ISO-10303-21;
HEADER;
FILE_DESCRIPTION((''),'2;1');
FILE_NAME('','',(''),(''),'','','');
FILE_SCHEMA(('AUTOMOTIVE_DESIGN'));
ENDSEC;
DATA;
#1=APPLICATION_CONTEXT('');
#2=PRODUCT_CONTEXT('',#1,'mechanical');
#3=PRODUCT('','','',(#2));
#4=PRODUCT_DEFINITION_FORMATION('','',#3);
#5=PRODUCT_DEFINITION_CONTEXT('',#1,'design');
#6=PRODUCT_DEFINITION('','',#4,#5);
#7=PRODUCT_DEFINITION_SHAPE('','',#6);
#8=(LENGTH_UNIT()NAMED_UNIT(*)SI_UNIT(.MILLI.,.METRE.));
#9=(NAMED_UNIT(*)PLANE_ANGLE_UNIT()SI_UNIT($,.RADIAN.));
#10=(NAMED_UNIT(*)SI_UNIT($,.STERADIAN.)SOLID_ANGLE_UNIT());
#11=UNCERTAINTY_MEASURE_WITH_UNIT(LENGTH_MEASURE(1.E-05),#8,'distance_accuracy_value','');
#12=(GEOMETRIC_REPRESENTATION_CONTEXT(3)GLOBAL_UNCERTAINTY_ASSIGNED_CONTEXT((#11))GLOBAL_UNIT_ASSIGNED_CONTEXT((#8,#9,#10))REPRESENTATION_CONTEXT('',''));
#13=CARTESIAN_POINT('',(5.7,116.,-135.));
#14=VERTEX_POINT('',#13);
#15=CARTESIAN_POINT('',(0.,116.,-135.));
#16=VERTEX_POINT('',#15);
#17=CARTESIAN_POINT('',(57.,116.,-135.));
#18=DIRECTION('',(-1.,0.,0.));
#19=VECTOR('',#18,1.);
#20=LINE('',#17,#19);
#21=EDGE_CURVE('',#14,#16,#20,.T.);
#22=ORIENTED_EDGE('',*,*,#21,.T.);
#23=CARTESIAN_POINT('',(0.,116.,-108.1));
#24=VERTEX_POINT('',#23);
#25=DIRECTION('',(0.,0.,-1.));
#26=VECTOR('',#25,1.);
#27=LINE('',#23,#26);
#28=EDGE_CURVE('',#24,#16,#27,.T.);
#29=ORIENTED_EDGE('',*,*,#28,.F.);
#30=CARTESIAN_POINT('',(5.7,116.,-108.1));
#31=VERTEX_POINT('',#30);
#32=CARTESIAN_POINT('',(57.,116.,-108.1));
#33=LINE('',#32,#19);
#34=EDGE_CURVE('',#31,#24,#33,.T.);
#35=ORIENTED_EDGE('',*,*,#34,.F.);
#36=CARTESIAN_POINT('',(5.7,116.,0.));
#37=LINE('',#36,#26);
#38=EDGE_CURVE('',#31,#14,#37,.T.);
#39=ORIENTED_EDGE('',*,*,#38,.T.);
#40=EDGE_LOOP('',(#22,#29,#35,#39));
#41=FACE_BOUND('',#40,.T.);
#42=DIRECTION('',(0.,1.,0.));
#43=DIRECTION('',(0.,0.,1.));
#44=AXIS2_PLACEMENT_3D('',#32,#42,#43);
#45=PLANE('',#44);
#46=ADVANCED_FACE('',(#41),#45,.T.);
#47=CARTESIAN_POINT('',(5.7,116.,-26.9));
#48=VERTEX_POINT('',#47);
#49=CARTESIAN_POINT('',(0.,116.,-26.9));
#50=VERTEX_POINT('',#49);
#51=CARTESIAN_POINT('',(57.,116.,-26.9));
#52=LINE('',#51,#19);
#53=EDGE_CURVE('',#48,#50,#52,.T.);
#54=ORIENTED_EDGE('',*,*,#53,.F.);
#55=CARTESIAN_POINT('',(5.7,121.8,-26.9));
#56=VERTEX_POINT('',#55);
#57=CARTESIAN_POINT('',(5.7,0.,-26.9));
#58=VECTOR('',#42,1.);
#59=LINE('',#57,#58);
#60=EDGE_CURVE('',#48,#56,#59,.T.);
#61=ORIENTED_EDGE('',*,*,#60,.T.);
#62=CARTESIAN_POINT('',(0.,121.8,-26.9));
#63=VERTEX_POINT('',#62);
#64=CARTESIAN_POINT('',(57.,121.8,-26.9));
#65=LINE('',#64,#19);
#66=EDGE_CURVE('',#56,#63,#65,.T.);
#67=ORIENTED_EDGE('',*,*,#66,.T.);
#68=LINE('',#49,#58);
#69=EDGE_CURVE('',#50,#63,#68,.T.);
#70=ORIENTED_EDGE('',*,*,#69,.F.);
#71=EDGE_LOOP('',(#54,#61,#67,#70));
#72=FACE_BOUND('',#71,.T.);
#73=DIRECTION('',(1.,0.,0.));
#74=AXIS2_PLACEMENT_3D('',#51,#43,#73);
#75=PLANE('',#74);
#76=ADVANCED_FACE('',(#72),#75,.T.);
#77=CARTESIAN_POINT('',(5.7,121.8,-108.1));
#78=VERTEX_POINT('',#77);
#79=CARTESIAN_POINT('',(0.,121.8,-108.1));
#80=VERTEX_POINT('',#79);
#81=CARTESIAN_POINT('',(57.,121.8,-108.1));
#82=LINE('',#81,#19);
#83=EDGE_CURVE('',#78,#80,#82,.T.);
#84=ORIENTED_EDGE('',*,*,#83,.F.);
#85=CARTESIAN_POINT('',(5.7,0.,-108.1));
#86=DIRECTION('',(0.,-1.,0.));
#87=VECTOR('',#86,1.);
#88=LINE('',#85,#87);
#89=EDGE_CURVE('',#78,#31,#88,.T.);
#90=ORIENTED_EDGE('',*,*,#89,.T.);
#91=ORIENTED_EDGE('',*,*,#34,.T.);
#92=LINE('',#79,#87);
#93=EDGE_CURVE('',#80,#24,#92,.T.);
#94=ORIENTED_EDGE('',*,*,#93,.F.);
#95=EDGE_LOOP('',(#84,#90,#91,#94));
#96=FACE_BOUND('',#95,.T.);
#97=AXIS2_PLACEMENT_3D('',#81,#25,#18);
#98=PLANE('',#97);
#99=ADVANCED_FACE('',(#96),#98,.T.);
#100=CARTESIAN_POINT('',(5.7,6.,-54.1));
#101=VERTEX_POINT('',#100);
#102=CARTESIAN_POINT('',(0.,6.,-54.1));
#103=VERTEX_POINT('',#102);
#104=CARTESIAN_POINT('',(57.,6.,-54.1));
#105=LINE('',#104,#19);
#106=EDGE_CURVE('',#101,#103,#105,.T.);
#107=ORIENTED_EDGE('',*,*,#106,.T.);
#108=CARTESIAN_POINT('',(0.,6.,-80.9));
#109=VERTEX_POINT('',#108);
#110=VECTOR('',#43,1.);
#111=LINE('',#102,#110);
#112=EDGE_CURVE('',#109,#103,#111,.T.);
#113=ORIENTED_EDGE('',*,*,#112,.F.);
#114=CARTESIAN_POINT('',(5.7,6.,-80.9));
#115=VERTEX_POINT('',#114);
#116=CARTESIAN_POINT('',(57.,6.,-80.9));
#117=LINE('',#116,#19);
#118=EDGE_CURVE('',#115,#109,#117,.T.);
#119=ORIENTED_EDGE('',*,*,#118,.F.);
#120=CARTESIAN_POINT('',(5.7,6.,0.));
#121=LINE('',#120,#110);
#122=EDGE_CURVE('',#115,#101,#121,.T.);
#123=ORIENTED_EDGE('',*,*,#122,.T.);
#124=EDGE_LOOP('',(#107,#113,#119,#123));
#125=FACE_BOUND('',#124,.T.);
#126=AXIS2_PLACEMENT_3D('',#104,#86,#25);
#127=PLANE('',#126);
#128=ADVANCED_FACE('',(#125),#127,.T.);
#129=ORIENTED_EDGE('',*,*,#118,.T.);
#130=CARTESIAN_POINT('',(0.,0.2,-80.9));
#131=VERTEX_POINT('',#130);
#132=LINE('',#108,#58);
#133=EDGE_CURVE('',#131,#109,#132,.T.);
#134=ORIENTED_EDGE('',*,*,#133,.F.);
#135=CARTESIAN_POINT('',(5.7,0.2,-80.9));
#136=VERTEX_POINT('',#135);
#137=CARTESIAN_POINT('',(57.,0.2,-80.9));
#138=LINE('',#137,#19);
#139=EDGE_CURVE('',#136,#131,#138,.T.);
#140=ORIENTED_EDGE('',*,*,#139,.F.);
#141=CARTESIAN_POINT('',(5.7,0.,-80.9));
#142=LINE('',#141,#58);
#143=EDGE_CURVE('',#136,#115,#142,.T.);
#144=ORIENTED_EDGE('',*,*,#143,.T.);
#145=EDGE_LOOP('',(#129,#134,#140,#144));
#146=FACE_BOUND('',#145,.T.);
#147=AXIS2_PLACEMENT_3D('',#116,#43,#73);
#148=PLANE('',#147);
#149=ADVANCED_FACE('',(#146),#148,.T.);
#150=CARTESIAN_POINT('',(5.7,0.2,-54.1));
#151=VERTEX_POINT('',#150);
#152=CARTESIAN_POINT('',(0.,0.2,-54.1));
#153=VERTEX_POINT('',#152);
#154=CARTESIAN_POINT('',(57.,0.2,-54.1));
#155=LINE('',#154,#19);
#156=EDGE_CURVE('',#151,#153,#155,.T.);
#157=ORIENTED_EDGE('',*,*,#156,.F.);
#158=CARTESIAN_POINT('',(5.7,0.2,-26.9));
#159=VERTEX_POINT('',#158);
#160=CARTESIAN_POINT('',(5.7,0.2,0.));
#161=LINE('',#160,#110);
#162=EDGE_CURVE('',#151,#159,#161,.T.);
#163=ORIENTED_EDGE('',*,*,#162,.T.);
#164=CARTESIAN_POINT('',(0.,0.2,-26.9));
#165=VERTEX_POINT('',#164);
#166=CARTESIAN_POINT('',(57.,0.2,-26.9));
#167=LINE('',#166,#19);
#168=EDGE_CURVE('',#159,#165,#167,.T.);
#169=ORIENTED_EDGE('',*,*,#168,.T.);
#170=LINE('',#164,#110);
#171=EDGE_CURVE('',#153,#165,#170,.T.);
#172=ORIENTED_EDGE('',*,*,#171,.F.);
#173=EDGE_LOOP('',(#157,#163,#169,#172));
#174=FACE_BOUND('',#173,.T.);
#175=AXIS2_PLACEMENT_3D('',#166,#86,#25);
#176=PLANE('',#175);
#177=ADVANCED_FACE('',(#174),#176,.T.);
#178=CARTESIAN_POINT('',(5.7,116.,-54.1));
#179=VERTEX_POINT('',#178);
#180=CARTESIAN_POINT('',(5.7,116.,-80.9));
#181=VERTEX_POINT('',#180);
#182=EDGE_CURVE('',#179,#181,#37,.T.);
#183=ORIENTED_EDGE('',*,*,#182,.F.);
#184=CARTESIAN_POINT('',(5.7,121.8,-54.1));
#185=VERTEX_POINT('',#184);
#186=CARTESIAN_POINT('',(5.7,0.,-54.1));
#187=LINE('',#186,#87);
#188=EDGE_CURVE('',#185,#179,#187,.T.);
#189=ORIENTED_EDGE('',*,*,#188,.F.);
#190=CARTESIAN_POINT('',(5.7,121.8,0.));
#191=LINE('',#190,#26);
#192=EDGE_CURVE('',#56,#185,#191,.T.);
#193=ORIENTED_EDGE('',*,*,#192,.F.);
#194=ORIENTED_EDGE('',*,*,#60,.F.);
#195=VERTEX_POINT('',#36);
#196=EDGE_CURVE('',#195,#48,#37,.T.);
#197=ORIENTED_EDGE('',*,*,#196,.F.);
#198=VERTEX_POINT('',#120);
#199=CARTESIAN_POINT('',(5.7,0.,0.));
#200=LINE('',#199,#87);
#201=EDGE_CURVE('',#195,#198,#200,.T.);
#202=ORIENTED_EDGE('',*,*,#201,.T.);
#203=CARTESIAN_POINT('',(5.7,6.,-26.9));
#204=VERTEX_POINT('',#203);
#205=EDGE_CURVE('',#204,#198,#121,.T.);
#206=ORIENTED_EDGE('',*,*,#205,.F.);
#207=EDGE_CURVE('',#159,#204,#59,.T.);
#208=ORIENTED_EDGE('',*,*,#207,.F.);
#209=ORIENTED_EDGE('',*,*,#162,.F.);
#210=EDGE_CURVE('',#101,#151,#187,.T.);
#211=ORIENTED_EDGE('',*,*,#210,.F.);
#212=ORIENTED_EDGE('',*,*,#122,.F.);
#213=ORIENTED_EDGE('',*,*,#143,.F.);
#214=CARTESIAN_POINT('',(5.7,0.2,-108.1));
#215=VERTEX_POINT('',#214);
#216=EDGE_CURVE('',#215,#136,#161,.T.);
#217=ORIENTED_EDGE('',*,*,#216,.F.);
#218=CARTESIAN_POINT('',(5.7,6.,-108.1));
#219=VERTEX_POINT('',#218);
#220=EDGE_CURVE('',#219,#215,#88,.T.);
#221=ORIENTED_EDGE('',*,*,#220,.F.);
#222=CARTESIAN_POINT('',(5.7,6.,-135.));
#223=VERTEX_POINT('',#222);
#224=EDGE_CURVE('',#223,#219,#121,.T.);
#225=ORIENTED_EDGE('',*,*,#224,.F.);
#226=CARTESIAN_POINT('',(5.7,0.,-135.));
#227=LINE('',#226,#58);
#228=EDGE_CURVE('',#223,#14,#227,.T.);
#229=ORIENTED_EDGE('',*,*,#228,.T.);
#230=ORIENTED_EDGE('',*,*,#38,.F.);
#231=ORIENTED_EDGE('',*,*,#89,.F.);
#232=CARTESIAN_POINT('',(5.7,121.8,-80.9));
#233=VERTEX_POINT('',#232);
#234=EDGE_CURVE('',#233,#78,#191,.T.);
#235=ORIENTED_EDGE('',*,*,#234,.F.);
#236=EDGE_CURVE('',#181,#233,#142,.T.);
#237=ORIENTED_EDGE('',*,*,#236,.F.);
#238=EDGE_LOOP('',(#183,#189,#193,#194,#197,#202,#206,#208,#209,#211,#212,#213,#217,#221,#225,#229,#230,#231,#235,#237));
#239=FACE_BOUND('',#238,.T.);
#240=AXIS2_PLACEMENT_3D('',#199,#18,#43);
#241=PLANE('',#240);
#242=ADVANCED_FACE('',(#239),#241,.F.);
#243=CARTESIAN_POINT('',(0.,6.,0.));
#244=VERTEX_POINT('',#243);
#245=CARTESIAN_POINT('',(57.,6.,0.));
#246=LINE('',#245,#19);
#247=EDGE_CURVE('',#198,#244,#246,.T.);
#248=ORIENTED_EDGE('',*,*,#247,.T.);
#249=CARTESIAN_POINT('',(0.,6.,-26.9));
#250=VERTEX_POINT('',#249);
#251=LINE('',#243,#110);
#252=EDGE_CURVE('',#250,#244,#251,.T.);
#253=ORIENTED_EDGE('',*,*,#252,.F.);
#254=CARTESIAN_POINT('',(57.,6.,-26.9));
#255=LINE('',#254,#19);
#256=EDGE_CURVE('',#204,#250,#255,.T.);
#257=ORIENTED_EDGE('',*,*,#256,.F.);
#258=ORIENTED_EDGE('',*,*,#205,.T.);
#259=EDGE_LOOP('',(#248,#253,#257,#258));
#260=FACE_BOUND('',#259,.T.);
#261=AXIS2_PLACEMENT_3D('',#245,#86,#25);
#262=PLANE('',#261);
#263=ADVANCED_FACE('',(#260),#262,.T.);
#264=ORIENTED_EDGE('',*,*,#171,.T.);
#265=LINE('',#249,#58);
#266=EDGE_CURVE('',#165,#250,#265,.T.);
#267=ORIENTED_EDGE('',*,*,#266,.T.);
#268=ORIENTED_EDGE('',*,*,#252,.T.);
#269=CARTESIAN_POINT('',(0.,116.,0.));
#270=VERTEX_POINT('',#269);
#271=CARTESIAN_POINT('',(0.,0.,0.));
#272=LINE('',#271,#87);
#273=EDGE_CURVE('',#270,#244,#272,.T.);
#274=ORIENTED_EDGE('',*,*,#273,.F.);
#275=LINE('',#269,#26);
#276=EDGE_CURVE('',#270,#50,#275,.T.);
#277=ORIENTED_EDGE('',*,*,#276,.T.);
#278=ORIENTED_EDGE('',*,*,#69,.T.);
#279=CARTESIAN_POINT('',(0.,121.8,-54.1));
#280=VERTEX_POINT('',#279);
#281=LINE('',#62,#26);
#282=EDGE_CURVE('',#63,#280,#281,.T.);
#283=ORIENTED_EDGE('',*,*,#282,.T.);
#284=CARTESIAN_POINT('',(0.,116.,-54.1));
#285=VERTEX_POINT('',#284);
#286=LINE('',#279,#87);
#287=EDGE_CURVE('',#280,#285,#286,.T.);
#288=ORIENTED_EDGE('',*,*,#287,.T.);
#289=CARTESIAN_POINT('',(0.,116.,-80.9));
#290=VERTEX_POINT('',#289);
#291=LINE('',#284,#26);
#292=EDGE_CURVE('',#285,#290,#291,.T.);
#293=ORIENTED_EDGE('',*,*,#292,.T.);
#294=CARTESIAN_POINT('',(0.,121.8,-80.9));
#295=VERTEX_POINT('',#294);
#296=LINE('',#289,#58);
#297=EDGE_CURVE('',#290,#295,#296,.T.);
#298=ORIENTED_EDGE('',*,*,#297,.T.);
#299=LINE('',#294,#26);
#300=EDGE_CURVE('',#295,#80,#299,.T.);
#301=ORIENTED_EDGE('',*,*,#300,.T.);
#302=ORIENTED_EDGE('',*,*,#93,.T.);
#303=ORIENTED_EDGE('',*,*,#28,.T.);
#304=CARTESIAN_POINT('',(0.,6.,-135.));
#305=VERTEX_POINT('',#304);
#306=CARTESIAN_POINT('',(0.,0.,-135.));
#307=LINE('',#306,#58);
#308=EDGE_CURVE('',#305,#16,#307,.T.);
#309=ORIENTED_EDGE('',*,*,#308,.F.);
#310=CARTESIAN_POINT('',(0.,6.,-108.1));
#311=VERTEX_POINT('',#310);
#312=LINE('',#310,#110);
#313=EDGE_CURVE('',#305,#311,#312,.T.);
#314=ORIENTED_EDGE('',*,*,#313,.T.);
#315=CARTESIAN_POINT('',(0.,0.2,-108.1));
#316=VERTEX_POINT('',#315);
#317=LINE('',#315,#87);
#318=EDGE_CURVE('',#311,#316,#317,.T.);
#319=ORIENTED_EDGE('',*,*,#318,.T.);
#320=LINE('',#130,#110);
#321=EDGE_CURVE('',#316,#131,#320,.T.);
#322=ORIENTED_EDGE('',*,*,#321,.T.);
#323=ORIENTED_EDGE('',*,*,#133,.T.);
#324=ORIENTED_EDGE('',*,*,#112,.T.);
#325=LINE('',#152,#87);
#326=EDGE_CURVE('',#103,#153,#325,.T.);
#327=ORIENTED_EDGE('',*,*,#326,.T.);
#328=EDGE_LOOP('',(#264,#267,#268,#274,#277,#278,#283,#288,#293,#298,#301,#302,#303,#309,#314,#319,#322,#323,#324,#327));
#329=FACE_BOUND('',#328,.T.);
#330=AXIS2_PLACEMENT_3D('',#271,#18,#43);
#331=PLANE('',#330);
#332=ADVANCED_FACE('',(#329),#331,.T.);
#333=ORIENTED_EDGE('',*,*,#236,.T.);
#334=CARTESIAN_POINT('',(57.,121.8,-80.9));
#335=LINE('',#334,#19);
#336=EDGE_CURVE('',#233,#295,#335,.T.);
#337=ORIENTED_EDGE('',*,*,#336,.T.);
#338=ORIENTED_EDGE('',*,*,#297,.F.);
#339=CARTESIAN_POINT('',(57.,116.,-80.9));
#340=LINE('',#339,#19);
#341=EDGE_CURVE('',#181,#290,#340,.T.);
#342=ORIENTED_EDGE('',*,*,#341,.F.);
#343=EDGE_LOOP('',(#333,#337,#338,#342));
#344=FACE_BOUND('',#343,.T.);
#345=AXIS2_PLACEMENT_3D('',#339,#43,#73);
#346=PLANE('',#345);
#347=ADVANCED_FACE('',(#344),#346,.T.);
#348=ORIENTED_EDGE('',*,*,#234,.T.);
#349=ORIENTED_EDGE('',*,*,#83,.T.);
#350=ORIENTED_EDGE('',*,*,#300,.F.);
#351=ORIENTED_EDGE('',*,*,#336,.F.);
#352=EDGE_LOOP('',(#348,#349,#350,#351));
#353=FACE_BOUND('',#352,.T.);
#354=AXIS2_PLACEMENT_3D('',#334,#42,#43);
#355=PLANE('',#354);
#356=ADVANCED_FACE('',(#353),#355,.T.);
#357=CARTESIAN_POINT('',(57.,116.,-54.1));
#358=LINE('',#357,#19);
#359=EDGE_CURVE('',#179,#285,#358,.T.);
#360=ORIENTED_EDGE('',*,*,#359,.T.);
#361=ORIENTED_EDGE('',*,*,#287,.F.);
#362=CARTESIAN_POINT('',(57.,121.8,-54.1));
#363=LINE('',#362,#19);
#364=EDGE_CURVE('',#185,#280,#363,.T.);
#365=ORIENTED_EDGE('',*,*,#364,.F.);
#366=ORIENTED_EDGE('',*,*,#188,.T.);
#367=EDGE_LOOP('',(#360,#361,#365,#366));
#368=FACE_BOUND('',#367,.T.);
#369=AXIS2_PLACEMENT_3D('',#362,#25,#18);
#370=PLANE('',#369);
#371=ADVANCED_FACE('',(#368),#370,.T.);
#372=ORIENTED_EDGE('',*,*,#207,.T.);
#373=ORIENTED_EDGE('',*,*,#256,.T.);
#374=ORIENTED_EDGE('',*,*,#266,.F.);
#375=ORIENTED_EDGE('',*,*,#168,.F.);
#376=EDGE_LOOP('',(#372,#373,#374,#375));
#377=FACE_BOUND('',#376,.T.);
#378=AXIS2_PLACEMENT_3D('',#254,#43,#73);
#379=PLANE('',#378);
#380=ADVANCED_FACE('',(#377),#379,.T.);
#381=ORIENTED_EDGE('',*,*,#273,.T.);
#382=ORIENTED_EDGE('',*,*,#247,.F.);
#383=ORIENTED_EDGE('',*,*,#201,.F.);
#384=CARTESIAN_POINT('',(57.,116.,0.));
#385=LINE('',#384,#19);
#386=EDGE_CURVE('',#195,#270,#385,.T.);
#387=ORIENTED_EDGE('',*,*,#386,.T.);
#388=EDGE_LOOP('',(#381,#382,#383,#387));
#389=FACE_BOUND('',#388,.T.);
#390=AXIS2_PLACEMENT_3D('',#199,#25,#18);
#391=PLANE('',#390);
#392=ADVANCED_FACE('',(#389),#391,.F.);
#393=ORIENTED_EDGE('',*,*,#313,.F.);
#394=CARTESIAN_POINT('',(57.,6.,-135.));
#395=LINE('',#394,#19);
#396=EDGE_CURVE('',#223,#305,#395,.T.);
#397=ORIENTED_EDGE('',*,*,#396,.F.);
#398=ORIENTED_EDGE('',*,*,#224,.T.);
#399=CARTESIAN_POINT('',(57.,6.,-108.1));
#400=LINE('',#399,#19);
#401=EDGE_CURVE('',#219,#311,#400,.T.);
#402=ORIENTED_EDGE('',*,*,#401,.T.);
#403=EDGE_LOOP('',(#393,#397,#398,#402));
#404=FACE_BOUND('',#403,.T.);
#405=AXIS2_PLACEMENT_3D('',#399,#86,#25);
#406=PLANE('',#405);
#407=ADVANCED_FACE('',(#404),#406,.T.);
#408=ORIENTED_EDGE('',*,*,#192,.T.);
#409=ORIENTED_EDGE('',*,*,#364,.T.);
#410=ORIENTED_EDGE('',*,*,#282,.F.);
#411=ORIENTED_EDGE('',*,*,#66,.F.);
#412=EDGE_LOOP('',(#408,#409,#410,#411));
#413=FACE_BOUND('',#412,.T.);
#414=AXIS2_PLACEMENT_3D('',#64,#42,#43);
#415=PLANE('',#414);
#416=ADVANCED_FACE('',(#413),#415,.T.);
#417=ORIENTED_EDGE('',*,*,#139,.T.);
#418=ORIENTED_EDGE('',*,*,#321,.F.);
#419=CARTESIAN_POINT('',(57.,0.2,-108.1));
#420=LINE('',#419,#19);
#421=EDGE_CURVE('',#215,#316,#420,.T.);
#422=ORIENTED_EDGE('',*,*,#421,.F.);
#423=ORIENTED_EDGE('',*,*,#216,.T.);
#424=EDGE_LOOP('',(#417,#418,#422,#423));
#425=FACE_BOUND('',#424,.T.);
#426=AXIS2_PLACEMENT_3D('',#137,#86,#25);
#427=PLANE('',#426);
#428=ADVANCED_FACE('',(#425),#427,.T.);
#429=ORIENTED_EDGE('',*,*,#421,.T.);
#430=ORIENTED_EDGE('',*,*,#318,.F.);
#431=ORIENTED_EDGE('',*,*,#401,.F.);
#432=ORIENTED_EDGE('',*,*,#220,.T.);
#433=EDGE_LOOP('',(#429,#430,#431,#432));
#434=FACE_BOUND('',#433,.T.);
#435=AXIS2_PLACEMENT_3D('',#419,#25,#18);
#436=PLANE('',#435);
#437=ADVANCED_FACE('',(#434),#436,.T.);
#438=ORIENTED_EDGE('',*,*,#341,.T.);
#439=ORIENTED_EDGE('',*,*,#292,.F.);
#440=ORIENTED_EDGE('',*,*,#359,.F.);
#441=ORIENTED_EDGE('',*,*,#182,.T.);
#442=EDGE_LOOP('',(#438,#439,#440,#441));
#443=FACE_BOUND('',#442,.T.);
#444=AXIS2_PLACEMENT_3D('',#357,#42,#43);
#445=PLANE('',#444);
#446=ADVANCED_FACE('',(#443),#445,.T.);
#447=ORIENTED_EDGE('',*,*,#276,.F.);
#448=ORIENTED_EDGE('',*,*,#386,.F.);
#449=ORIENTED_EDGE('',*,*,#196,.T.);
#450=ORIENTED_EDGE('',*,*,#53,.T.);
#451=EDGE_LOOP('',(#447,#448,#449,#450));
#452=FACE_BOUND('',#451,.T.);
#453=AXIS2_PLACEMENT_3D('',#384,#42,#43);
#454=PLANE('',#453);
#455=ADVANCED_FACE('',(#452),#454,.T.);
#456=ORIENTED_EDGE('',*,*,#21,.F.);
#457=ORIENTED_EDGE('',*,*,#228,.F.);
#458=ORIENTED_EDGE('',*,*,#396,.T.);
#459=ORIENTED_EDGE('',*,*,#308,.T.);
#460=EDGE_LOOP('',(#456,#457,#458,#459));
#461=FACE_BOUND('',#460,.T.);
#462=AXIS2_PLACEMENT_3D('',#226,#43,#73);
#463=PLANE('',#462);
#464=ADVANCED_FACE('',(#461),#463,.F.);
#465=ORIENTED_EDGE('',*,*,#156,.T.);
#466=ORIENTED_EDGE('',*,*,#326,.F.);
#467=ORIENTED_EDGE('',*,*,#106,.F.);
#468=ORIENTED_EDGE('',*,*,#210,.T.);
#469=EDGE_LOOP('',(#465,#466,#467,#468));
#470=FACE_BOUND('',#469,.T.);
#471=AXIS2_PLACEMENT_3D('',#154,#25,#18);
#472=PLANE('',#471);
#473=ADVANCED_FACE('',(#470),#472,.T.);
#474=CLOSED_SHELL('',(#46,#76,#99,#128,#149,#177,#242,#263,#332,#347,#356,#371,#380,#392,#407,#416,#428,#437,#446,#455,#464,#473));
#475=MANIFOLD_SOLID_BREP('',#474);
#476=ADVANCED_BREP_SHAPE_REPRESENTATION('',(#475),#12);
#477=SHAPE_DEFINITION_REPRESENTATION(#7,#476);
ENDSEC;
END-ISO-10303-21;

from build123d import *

# Parameters (mm, degrees)
SKETCH1_W           = 135
SKETCH1_H           = 122
BOSS_EXTRUDE1_DEPTH = 5.7
CUT_EXTRUDE1_DEPTH  = 57


with BuildPart() as part:
    # Sketch1 → Boss-Extrude1 (new body)
    with BuildSketch(Plane(origin=(0, 0, 0), x_dir=(0, 0, -1), z_dir=(1, 0, 0))):
        with Locations((67.5, 61)):
            Rectangle(SKETCH1_W, SKETCH1_H)
    extrude(amount=BOSS_EXTRUDE1_DEPTH)

    # Sketch2 → Cut-Extrude1 (cut)
    with BuildSketch(Plane(origin=(0, 0, 0), x_dir=(0, 0, -1), z_dir=(1, 0, 0))):
        Polygon((0, 116), (26.9, 116), (26.9, 121.8), (54.1, 121.8), (54.1, 116), (80.9, 116), (80.9, 121.8), (108.1, 121.8), (108.1, 116), (135, 116), (135, 130), (0, 130), align=None)
        Polygon((0, -8), (0, 6), (26.9, 6), (26.9, 0.2), (54.1, 0.2), (54.1, 6), (80.9, 6), (80.9, 0.2), (108.1, 0.2), (108.1, 6), (135, 6), (135, -8), align=None)
    extrude(amount=CUT_EXTRUDE1_DEPTH, mode=Mode.SUBTRACT)


solid = part.part
